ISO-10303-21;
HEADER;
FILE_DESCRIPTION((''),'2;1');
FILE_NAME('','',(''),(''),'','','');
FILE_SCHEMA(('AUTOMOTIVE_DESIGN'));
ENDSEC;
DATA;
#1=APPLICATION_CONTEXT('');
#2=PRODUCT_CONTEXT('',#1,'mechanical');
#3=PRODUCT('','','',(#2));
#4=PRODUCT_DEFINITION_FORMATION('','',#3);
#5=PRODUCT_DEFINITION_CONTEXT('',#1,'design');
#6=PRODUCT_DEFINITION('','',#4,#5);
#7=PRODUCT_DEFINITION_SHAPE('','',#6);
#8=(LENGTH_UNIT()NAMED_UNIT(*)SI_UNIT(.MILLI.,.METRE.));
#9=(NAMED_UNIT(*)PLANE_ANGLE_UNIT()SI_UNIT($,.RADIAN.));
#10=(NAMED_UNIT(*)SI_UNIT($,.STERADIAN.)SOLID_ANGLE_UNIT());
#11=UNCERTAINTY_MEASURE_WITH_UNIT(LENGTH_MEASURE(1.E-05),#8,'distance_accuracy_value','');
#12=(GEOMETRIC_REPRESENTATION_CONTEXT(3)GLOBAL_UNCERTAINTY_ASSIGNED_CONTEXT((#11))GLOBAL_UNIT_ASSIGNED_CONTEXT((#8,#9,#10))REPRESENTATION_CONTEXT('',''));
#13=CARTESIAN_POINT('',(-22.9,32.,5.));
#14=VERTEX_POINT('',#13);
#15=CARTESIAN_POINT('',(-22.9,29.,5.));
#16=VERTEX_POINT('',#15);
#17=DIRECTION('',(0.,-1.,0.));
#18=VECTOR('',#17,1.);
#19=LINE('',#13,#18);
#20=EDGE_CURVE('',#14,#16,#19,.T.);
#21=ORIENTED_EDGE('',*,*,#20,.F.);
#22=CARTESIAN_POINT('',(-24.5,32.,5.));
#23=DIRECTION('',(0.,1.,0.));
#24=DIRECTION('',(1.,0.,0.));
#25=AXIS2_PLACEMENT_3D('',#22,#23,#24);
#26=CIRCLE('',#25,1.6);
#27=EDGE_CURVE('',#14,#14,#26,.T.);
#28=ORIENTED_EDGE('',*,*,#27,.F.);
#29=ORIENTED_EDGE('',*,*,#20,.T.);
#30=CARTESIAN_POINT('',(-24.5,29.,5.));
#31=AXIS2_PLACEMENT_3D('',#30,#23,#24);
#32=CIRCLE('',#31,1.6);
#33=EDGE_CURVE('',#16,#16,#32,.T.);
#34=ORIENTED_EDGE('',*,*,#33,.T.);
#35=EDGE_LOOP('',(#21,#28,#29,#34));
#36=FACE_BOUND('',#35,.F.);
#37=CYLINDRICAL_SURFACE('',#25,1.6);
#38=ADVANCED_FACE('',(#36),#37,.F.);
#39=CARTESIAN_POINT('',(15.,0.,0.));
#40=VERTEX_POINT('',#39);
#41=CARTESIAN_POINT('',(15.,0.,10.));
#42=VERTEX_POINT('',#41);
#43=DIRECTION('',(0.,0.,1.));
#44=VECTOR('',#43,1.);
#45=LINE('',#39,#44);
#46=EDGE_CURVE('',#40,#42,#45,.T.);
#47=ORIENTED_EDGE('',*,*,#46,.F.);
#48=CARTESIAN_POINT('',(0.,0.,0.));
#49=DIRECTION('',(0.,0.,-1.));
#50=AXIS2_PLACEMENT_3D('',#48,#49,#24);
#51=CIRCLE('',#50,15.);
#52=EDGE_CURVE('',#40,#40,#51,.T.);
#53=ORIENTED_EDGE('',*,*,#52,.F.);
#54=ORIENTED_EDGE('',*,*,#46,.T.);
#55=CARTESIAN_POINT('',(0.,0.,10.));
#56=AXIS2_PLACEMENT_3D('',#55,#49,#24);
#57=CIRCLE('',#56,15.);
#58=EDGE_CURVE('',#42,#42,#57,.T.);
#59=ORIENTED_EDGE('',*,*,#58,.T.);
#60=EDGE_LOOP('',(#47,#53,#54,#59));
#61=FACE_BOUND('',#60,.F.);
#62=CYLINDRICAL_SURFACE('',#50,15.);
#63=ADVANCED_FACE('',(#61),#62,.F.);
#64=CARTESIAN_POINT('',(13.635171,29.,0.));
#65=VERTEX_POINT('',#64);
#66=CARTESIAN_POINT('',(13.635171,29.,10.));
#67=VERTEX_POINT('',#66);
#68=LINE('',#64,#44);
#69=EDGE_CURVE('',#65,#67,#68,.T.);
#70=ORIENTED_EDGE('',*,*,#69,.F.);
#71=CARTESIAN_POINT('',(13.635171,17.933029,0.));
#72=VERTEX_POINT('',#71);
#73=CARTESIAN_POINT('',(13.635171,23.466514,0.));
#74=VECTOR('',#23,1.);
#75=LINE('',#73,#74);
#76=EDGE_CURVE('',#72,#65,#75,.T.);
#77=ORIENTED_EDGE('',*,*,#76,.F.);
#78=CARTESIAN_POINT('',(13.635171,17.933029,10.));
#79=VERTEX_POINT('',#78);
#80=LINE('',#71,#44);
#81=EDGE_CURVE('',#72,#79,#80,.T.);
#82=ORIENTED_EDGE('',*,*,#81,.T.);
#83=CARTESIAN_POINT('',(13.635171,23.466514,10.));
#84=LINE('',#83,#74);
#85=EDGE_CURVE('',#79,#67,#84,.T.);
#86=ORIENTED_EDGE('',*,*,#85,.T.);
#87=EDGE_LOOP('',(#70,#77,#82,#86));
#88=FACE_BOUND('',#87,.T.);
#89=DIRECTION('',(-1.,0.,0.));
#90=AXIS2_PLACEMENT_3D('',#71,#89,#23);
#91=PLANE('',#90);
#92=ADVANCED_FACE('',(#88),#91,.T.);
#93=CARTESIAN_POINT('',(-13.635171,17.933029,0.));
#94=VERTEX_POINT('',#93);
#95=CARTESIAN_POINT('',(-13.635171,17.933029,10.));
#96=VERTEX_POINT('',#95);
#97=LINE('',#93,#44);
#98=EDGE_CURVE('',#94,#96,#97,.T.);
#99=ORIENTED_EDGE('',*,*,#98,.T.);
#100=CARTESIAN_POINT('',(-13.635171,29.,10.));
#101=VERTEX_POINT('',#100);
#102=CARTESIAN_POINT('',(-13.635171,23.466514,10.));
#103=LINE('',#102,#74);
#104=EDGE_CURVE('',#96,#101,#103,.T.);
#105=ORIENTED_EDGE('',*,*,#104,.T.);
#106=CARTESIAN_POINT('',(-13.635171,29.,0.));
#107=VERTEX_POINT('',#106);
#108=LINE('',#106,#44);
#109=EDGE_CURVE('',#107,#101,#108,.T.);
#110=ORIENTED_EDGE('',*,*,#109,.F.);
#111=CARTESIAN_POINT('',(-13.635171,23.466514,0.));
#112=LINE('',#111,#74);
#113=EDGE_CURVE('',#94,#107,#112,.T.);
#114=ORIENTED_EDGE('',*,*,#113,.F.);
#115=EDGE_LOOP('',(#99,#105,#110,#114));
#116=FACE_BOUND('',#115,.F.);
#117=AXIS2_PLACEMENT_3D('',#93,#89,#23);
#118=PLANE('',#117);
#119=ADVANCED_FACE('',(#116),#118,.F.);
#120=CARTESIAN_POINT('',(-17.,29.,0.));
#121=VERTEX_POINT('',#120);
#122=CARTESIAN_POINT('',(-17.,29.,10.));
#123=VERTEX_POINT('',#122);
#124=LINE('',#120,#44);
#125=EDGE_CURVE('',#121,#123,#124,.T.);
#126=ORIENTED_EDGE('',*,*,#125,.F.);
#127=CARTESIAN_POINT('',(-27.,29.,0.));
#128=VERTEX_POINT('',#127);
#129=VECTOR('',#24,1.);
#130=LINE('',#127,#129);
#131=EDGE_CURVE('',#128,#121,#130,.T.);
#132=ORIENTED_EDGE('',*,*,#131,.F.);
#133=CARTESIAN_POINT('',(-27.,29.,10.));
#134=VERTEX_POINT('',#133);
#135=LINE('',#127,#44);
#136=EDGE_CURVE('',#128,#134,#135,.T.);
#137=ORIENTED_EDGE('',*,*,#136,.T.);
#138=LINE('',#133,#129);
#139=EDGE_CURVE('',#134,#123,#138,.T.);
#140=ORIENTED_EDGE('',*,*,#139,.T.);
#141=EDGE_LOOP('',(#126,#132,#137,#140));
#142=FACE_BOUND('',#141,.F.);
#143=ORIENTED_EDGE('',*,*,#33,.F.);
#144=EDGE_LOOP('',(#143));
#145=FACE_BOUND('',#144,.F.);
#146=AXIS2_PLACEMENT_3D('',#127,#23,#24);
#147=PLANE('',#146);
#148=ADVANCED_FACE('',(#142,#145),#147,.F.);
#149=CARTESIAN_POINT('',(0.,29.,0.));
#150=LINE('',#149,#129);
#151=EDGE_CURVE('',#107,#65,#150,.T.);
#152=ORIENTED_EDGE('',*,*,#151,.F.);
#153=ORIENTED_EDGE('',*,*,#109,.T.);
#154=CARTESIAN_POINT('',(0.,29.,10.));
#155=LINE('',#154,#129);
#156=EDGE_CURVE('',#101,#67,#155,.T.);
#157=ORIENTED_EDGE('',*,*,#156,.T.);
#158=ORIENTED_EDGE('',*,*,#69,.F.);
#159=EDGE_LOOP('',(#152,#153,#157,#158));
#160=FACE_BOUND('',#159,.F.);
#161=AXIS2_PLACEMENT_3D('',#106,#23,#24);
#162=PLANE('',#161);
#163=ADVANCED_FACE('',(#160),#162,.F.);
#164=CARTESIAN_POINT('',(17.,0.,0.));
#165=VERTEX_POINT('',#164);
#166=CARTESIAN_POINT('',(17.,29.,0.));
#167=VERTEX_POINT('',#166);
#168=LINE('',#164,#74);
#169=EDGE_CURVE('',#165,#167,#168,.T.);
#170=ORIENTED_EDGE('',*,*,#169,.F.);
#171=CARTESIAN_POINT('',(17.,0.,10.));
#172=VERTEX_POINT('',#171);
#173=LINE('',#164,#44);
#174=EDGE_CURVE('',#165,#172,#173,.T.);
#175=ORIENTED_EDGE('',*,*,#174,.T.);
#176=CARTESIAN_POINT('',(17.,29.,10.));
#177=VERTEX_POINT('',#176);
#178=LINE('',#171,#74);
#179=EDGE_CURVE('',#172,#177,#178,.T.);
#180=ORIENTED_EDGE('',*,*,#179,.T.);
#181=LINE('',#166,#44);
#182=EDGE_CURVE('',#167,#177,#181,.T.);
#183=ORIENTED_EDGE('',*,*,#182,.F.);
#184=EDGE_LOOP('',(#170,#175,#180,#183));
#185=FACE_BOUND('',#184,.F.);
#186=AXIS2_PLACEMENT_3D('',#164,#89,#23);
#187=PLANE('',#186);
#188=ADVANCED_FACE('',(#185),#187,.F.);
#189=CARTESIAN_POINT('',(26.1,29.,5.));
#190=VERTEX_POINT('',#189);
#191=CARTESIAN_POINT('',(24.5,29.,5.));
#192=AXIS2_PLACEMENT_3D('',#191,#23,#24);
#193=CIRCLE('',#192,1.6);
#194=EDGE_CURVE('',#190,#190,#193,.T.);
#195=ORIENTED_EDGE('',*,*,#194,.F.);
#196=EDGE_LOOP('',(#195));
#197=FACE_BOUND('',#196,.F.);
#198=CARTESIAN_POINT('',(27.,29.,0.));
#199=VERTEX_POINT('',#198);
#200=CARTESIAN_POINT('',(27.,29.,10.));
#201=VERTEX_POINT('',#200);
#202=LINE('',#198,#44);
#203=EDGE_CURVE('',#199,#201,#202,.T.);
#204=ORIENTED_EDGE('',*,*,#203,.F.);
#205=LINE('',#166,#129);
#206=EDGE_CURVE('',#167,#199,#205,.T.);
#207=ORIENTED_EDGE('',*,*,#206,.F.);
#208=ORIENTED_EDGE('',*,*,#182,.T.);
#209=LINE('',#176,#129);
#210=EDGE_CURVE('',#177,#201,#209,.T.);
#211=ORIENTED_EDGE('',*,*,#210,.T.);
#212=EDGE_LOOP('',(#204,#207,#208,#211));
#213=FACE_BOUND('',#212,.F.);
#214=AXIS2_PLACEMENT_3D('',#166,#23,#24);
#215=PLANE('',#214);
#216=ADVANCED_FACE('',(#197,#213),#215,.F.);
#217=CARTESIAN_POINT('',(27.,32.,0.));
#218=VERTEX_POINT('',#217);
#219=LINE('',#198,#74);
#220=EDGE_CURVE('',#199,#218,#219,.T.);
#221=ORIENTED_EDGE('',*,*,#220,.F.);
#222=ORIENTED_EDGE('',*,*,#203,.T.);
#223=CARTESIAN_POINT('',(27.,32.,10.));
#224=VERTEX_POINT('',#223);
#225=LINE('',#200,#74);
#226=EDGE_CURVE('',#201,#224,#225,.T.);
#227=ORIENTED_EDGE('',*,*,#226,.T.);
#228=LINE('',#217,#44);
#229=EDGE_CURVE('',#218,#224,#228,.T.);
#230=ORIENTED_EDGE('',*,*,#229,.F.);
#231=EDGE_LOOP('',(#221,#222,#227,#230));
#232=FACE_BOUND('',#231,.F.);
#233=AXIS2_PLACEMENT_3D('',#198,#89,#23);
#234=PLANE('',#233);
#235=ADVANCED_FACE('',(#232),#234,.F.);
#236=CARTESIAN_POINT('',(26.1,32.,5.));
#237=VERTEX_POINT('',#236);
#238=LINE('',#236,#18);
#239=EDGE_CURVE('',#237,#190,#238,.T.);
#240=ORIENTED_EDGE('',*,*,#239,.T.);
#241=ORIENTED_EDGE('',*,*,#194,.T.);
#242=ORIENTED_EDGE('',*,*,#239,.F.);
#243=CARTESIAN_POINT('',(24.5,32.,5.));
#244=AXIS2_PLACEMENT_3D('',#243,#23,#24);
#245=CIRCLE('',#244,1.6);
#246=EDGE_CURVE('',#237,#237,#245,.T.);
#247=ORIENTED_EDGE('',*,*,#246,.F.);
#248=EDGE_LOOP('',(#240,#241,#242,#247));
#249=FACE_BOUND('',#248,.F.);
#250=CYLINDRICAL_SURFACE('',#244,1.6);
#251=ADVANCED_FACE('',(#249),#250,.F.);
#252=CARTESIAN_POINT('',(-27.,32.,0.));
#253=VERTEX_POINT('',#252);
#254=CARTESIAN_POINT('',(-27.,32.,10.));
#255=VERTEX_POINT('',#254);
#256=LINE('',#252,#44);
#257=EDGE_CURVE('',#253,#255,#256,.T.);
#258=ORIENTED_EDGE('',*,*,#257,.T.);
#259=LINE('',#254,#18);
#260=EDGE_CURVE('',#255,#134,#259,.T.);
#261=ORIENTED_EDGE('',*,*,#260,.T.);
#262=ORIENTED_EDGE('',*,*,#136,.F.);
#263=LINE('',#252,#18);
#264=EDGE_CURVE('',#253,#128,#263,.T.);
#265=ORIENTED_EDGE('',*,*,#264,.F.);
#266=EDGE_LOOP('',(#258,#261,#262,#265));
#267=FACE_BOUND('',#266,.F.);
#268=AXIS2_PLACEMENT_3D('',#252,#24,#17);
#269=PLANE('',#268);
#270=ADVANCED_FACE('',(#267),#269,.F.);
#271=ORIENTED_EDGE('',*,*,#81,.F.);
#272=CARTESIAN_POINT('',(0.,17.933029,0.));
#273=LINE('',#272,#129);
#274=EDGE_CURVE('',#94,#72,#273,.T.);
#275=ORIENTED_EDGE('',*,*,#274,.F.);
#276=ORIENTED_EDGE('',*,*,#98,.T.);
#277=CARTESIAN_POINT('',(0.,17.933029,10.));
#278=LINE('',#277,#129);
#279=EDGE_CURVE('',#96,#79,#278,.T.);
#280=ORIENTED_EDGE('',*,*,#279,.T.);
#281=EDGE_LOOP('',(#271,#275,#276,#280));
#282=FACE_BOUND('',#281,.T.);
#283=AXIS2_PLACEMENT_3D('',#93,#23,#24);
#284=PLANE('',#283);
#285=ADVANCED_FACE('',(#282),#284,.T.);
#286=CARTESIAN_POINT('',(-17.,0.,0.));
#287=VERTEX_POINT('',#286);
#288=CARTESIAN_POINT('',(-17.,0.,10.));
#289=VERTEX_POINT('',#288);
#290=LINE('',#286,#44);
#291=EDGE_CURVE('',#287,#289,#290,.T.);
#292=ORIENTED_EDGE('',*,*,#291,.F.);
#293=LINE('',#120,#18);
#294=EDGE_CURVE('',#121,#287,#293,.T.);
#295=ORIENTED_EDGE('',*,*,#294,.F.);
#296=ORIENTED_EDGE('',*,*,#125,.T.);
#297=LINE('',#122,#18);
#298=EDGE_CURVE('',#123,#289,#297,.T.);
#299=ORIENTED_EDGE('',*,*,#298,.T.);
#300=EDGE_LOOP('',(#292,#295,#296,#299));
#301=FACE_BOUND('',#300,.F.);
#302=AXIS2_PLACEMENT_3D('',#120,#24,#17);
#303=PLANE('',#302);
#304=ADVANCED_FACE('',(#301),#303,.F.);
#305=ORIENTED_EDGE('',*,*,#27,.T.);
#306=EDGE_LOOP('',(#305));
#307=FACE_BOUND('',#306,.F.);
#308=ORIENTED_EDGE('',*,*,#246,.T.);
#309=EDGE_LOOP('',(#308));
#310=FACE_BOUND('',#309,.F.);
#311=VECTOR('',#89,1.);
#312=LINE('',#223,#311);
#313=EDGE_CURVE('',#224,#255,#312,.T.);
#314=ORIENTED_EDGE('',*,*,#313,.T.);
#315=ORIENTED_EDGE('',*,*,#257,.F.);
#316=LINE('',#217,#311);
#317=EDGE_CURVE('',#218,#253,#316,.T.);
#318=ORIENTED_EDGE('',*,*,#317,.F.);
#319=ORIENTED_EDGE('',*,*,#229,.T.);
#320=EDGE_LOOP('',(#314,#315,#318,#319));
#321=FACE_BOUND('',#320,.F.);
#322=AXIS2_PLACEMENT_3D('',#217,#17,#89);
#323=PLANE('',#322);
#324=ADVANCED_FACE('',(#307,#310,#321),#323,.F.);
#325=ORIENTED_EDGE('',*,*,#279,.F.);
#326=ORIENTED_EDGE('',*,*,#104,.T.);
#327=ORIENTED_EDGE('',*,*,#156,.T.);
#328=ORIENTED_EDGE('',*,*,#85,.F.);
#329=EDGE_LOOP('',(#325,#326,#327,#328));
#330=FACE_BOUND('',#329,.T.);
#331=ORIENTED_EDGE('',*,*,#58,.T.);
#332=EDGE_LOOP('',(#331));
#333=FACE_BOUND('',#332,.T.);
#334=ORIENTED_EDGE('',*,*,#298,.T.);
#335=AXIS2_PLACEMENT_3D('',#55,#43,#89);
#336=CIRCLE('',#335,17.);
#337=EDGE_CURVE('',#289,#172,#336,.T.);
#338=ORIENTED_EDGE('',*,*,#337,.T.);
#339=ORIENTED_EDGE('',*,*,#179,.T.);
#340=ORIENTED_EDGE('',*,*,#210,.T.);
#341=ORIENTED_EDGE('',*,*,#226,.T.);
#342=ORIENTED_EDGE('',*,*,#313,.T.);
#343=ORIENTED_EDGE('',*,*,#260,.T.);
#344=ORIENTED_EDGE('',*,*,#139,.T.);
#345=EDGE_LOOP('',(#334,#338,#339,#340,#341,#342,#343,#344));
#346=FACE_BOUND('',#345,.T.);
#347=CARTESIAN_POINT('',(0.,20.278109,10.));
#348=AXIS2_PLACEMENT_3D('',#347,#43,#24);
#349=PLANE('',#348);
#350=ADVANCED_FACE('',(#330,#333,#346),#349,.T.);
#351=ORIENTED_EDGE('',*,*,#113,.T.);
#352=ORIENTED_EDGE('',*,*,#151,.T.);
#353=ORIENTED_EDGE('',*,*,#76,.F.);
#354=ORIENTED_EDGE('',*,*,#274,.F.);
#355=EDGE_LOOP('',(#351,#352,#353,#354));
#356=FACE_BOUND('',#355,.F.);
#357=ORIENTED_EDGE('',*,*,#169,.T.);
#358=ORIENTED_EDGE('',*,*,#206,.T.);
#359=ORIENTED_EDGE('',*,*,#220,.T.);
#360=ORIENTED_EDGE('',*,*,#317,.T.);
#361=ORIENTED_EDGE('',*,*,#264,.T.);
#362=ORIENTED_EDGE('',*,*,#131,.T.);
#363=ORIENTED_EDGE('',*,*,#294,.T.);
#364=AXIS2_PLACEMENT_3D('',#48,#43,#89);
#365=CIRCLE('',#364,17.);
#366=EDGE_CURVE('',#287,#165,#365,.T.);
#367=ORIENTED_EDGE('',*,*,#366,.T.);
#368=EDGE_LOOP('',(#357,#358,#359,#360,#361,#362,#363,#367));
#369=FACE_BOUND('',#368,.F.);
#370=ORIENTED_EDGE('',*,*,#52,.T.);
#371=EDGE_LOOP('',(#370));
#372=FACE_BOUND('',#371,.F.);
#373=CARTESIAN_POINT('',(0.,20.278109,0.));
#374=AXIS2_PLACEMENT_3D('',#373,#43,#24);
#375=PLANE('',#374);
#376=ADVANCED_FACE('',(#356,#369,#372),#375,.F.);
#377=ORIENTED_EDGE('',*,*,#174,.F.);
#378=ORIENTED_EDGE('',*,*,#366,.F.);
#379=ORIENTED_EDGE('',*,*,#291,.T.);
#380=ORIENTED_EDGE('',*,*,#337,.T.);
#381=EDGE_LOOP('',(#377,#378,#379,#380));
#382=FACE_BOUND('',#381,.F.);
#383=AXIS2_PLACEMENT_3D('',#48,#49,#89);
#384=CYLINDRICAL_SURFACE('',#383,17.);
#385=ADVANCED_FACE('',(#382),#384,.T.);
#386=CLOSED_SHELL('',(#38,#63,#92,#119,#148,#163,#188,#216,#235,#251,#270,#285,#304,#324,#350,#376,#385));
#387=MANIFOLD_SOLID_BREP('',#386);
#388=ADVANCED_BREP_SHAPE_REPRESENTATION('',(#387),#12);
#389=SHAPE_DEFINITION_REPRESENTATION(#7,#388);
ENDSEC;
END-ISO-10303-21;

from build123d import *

# Parameters (mm, degrees)
F0_W     = 27.270341292
F0_H     = 11.066971153
F1_DEPTH = 10
F3_DEPTH = 49.001


with BuildPart() as f1:
    # F0 (on Top) → F1 (new body)
    with BuildSketch(Plane.XY):
        with BuildLine():
            ThreePointArc((-17, 0), (0, 17), (17, 0))
            Line((17, 0), (17, 29))
            Line((17, 29), (27, 29))
            Line((27, 29), (27, 32))
            Line((27, 32), (17, 32))
            Line((17, 32), (-17, 32))
            Line((-17, 32), (-27, 32))
            Line((-27, 32), (-27, 29))
            Line((-27, 29), (-17, 29))
            Line((-17, 29), (-17, 0))
        make_face()
        with Locations((0, 23.4665144235)):
            Rectangle(F0_W, F0_H, mode=Mode.SUBTRACT)
        with BuildLine():
            Line((17, 0), (15, 0))
            ThreePointArc((15, 0), (0, -15), (-15, 0))
            Line((-15, 0), (-17, 0))
            ThreePointArc((-17, 0), (0, -17), (17, 0))
        make_face()
        with BuildLine():
            ThreePointArc((-15, 0), (0, 15), (15, 0))
            Line((15, 0), (17, 0))
            ThreePointArc((17, 0), (0, 17), (-17, 0))
            Line((-17, 0), (-15, 0))
        make_face()
    extrude(amount=F1_DEPTH)

    # F2 (on face) → F3 (cut, through all)
    with BuildSketch(Plane(origin=(0, 32, 0), x_dir=(-1, 0, 0), z_dir=(0, 1, 0))):
        with BuildLine():
            Line((-26.1, 5), (-22.9, 5))
            ThreePointArc((-22.9, 5), (-24.5, 6.6), (-26.1, 5))
        make_face()
        with BuildLine():
            ThreePointArc((-26.1, 5), (-24.5, 3.4), (-22.9, 5))
            Line((-22.9, 5), (-26.1, 5))
        make_face()
        with BuildLine():
            Line((22.9, 5), (26.1, 5))
            ThreePointArc((26.1, 5), (24.5, 6.6), (22.9, 5))
        make_face()
        with BuildLine():
            ThreePointArc((22.9, 5), (24.5, 3.4), (26.1, 5))
            Line((26.1, 5), (22.9, 5))
        make_face()
    extrude(amount=-F3_DEPTH, mode=Mode.SUBTRACT)


solid = f1.part
